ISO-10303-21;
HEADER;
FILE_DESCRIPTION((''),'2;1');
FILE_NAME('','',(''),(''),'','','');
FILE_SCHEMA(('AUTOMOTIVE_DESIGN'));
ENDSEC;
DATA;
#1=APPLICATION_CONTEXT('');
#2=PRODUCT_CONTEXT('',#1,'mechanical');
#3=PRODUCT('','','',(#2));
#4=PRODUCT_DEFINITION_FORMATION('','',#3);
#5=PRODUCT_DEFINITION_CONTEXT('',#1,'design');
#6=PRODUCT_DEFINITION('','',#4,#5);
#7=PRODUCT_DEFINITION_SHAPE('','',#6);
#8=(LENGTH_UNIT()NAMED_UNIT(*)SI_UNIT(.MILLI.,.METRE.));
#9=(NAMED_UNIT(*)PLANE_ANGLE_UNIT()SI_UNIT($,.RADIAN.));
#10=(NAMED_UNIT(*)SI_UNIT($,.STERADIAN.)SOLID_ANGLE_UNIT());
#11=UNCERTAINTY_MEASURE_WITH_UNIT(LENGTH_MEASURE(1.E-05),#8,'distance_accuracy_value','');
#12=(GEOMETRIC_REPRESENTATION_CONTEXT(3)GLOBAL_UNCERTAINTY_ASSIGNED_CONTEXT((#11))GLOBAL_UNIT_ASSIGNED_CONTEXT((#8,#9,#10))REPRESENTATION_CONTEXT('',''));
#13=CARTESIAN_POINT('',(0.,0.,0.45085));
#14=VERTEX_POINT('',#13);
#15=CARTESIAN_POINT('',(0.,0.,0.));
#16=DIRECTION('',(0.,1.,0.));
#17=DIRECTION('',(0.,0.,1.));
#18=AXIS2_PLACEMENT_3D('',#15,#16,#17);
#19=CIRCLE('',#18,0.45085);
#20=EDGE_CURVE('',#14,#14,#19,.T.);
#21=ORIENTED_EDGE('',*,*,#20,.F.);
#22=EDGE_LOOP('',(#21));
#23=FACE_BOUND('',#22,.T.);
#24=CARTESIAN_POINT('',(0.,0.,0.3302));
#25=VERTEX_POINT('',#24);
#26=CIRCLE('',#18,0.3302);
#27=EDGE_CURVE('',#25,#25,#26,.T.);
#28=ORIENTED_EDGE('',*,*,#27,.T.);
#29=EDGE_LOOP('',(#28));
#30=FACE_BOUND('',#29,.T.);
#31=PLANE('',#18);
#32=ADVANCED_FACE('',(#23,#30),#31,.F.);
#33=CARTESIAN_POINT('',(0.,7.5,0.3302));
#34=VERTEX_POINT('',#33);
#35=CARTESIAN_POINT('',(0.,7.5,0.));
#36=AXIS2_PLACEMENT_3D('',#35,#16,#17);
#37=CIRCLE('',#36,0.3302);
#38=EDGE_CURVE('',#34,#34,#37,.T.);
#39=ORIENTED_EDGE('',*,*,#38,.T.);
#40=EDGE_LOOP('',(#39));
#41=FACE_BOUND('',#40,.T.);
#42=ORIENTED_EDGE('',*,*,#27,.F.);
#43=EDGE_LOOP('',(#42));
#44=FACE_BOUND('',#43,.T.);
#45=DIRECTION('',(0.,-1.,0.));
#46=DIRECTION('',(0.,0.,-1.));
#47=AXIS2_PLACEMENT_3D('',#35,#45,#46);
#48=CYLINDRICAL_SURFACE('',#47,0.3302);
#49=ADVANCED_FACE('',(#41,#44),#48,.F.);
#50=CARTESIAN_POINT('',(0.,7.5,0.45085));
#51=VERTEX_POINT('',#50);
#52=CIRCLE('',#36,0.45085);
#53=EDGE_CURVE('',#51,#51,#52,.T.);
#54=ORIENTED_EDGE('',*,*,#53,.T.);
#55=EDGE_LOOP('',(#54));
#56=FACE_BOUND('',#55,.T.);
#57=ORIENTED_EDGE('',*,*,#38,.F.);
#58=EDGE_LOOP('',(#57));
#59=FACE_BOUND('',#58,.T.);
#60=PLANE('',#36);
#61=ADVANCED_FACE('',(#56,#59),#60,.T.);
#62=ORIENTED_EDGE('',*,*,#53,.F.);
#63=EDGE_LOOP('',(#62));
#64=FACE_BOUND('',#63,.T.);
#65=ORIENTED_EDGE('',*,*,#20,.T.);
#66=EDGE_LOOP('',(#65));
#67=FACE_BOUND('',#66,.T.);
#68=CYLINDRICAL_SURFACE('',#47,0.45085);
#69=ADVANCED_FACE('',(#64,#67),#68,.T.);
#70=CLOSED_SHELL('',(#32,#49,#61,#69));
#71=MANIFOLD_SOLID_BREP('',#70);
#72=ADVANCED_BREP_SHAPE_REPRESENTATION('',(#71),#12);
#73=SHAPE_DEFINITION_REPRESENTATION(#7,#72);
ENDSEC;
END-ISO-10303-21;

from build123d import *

# Parameters (mm, degrees)
SKETCH1_R           = 0.45085
SKETCH1_R_2         = 0.3302
BOSS_EXTRUDE1_DEPTH = 7.5


with BuildPart() as part:
    # Sketch1 → Boss-Extrude1 (new body)
    with BuildSketch(Plane(origin=(0, 0, 0), x_dir=(1, 0, 0), z_dir=(0, 1, 0))):
        with Locations(Location((0, 0, 0), (0, 0, 270))):
            Circle(SKETCH1_R)
        with Locations(Location((0, 0, 0), (0, 0, 270))):
            Circle(SKETCH1_R_2, mode=Mode.SUBTRACT)
    extrude(amount=BOSS_EXTRUDE1_DEPTH)


solid = part.part
